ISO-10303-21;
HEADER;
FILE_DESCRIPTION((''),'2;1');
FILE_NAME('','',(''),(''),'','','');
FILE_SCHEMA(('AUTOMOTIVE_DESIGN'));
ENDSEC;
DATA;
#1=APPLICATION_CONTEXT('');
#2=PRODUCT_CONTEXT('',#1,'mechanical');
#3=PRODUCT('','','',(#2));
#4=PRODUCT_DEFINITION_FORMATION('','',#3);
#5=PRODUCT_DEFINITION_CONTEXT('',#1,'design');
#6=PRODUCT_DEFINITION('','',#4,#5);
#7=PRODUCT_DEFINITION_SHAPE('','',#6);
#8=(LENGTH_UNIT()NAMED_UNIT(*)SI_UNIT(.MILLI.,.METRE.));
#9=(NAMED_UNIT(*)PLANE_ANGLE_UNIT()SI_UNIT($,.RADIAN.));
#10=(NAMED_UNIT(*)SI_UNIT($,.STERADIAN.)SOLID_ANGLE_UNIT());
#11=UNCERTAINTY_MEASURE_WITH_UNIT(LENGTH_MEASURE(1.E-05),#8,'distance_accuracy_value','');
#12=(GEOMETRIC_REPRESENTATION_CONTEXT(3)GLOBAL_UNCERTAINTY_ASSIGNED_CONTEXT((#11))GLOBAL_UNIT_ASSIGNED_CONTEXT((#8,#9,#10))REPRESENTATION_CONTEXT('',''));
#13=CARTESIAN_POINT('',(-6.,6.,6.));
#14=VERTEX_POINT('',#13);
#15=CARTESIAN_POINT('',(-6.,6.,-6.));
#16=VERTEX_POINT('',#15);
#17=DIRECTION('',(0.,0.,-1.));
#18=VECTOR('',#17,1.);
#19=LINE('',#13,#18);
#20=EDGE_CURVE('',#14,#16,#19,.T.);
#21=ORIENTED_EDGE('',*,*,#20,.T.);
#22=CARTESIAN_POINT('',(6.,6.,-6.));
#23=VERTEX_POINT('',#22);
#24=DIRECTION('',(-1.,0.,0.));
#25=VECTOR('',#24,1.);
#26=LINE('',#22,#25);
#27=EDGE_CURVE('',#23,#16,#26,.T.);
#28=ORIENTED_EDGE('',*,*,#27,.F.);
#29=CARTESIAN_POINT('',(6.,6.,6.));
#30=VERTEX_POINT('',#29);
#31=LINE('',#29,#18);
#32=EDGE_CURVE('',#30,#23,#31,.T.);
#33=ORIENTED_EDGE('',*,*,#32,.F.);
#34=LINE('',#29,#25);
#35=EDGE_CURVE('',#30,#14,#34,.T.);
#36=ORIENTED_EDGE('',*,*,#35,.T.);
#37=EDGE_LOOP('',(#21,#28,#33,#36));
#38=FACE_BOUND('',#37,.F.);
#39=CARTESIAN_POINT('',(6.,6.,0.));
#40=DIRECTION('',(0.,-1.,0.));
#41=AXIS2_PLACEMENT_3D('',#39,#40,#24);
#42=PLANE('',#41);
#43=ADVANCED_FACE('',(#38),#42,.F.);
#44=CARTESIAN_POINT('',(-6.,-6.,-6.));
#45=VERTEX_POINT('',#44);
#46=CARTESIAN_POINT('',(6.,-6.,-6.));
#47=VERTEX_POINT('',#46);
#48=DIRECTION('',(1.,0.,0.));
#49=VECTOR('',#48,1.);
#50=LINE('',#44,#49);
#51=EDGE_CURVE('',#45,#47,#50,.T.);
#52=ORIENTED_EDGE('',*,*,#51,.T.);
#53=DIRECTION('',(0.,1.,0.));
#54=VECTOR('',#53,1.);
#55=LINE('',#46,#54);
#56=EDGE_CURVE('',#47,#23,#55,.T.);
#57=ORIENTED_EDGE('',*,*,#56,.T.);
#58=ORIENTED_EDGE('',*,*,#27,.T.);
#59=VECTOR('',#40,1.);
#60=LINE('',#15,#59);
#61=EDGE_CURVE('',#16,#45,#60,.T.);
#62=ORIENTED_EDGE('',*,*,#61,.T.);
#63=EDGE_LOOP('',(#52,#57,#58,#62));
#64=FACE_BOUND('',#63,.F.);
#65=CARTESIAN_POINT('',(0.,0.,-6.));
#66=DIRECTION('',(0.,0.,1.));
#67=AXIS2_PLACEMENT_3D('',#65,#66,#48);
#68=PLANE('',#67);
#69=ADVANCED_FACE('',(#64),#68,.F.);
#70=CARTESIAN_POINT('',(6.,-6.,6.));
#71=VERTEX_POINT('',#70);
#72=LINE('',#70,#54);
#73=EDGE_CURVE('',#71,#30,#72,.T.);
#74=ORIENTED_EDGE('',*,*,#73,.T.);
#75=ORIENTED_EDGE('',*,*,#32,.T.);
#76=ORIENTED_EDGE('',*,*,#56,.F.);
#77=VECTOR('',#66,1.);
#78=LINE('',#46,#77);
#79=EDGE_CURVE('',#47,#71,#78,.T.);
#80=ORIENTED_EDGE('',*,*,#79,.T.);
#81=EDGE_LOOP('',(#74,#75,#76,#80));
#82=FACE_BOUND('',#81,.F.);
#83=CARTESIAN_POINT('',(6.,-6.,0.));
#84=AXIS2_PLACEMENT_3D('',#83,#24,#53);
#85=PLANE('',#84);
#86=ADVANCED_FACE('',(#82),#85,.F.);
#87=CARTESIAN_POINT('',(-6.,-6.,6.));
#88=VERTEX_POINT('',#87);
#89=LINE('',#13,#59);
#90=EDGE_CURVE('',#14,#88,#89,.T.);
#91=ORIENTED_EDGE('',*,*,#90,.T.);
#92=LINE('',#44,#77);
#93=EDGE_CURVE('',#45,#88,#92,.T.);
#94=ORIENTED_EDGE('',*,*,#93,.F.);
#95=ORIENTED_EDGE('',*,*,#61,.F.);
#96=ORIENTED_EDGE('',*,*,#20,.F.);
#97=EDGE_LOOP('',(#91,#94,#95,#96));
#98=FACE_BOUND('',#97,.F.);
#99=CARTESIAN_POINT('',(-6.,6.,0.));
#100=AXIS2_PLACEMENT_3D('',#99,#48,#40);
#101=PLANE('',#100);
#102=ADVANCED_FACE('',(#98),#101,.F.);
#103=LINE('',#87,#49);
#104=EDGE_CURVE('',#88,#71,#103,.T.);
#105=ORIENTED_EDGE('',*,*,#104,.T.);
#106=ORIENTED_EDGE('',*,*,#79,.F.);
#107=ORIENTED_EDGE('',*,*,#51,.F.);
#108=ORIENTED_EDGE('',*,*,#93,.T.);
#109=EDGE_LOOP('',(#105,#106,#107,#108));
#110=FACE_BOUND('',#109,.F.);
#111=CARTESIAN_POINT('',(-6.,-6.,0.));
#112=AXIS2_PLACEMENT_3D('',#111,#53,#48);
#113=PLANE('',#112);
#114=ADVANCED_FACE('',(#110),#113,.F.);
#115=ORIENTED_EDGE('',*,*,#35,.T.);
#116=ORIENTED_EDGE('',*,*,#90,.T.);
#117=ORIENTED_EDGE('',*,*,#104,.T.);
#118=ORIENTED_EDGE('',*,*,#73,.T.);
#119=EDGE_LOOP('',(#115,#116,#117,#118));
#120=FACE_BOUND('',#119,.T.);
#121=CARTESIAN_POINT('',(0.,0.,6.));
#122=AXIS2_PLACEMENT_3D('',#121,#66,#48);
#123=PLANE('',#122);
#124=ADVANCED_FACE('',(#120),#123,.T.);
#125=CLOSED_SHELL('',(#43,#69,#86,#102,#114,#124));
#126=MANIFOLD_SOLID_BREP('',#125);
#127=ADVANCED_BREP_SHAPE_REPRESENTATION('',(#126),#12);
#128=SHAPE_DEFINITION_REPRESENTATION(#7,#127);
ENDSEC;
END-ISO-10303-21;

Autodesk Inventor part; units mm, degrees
ref_plane "YZ Plane" through (0, 0, 0) normal (1, 0, 0) x (0, 1, 0)
ref_plane "XZ Plane" through (0, 0, 0) normal (0, 1, 0) x (-1, 0, 0)
ref_plane "XY Plane" through (0, 0, 0) normal (0, 0, 1) x (1, 0, 0)
sketch "Sketch1" plane through (0, 0, 0) normal (0, 0, 1) x (1, 0, 0)
  line L0 (-6, -6) -> (6, -6)
  line L1 (6, -6) -> (6, 6)
  line L2 (6, 6) -> (-6, 6)
  line L3 (-6, 6) -> (-6, -6)
  line L4 (-6, -6) -> (6, 6) construction
  line L5 (6, -6) -> (-6, 6) construction
  point P0 (0, 0)
  dimension "d0" = 12
  dimension "d1" = 12
extrude "Extrusion1" add sketch "Sketch1" along normal mid plane 12
properties part number "Game_TrackingCube"
